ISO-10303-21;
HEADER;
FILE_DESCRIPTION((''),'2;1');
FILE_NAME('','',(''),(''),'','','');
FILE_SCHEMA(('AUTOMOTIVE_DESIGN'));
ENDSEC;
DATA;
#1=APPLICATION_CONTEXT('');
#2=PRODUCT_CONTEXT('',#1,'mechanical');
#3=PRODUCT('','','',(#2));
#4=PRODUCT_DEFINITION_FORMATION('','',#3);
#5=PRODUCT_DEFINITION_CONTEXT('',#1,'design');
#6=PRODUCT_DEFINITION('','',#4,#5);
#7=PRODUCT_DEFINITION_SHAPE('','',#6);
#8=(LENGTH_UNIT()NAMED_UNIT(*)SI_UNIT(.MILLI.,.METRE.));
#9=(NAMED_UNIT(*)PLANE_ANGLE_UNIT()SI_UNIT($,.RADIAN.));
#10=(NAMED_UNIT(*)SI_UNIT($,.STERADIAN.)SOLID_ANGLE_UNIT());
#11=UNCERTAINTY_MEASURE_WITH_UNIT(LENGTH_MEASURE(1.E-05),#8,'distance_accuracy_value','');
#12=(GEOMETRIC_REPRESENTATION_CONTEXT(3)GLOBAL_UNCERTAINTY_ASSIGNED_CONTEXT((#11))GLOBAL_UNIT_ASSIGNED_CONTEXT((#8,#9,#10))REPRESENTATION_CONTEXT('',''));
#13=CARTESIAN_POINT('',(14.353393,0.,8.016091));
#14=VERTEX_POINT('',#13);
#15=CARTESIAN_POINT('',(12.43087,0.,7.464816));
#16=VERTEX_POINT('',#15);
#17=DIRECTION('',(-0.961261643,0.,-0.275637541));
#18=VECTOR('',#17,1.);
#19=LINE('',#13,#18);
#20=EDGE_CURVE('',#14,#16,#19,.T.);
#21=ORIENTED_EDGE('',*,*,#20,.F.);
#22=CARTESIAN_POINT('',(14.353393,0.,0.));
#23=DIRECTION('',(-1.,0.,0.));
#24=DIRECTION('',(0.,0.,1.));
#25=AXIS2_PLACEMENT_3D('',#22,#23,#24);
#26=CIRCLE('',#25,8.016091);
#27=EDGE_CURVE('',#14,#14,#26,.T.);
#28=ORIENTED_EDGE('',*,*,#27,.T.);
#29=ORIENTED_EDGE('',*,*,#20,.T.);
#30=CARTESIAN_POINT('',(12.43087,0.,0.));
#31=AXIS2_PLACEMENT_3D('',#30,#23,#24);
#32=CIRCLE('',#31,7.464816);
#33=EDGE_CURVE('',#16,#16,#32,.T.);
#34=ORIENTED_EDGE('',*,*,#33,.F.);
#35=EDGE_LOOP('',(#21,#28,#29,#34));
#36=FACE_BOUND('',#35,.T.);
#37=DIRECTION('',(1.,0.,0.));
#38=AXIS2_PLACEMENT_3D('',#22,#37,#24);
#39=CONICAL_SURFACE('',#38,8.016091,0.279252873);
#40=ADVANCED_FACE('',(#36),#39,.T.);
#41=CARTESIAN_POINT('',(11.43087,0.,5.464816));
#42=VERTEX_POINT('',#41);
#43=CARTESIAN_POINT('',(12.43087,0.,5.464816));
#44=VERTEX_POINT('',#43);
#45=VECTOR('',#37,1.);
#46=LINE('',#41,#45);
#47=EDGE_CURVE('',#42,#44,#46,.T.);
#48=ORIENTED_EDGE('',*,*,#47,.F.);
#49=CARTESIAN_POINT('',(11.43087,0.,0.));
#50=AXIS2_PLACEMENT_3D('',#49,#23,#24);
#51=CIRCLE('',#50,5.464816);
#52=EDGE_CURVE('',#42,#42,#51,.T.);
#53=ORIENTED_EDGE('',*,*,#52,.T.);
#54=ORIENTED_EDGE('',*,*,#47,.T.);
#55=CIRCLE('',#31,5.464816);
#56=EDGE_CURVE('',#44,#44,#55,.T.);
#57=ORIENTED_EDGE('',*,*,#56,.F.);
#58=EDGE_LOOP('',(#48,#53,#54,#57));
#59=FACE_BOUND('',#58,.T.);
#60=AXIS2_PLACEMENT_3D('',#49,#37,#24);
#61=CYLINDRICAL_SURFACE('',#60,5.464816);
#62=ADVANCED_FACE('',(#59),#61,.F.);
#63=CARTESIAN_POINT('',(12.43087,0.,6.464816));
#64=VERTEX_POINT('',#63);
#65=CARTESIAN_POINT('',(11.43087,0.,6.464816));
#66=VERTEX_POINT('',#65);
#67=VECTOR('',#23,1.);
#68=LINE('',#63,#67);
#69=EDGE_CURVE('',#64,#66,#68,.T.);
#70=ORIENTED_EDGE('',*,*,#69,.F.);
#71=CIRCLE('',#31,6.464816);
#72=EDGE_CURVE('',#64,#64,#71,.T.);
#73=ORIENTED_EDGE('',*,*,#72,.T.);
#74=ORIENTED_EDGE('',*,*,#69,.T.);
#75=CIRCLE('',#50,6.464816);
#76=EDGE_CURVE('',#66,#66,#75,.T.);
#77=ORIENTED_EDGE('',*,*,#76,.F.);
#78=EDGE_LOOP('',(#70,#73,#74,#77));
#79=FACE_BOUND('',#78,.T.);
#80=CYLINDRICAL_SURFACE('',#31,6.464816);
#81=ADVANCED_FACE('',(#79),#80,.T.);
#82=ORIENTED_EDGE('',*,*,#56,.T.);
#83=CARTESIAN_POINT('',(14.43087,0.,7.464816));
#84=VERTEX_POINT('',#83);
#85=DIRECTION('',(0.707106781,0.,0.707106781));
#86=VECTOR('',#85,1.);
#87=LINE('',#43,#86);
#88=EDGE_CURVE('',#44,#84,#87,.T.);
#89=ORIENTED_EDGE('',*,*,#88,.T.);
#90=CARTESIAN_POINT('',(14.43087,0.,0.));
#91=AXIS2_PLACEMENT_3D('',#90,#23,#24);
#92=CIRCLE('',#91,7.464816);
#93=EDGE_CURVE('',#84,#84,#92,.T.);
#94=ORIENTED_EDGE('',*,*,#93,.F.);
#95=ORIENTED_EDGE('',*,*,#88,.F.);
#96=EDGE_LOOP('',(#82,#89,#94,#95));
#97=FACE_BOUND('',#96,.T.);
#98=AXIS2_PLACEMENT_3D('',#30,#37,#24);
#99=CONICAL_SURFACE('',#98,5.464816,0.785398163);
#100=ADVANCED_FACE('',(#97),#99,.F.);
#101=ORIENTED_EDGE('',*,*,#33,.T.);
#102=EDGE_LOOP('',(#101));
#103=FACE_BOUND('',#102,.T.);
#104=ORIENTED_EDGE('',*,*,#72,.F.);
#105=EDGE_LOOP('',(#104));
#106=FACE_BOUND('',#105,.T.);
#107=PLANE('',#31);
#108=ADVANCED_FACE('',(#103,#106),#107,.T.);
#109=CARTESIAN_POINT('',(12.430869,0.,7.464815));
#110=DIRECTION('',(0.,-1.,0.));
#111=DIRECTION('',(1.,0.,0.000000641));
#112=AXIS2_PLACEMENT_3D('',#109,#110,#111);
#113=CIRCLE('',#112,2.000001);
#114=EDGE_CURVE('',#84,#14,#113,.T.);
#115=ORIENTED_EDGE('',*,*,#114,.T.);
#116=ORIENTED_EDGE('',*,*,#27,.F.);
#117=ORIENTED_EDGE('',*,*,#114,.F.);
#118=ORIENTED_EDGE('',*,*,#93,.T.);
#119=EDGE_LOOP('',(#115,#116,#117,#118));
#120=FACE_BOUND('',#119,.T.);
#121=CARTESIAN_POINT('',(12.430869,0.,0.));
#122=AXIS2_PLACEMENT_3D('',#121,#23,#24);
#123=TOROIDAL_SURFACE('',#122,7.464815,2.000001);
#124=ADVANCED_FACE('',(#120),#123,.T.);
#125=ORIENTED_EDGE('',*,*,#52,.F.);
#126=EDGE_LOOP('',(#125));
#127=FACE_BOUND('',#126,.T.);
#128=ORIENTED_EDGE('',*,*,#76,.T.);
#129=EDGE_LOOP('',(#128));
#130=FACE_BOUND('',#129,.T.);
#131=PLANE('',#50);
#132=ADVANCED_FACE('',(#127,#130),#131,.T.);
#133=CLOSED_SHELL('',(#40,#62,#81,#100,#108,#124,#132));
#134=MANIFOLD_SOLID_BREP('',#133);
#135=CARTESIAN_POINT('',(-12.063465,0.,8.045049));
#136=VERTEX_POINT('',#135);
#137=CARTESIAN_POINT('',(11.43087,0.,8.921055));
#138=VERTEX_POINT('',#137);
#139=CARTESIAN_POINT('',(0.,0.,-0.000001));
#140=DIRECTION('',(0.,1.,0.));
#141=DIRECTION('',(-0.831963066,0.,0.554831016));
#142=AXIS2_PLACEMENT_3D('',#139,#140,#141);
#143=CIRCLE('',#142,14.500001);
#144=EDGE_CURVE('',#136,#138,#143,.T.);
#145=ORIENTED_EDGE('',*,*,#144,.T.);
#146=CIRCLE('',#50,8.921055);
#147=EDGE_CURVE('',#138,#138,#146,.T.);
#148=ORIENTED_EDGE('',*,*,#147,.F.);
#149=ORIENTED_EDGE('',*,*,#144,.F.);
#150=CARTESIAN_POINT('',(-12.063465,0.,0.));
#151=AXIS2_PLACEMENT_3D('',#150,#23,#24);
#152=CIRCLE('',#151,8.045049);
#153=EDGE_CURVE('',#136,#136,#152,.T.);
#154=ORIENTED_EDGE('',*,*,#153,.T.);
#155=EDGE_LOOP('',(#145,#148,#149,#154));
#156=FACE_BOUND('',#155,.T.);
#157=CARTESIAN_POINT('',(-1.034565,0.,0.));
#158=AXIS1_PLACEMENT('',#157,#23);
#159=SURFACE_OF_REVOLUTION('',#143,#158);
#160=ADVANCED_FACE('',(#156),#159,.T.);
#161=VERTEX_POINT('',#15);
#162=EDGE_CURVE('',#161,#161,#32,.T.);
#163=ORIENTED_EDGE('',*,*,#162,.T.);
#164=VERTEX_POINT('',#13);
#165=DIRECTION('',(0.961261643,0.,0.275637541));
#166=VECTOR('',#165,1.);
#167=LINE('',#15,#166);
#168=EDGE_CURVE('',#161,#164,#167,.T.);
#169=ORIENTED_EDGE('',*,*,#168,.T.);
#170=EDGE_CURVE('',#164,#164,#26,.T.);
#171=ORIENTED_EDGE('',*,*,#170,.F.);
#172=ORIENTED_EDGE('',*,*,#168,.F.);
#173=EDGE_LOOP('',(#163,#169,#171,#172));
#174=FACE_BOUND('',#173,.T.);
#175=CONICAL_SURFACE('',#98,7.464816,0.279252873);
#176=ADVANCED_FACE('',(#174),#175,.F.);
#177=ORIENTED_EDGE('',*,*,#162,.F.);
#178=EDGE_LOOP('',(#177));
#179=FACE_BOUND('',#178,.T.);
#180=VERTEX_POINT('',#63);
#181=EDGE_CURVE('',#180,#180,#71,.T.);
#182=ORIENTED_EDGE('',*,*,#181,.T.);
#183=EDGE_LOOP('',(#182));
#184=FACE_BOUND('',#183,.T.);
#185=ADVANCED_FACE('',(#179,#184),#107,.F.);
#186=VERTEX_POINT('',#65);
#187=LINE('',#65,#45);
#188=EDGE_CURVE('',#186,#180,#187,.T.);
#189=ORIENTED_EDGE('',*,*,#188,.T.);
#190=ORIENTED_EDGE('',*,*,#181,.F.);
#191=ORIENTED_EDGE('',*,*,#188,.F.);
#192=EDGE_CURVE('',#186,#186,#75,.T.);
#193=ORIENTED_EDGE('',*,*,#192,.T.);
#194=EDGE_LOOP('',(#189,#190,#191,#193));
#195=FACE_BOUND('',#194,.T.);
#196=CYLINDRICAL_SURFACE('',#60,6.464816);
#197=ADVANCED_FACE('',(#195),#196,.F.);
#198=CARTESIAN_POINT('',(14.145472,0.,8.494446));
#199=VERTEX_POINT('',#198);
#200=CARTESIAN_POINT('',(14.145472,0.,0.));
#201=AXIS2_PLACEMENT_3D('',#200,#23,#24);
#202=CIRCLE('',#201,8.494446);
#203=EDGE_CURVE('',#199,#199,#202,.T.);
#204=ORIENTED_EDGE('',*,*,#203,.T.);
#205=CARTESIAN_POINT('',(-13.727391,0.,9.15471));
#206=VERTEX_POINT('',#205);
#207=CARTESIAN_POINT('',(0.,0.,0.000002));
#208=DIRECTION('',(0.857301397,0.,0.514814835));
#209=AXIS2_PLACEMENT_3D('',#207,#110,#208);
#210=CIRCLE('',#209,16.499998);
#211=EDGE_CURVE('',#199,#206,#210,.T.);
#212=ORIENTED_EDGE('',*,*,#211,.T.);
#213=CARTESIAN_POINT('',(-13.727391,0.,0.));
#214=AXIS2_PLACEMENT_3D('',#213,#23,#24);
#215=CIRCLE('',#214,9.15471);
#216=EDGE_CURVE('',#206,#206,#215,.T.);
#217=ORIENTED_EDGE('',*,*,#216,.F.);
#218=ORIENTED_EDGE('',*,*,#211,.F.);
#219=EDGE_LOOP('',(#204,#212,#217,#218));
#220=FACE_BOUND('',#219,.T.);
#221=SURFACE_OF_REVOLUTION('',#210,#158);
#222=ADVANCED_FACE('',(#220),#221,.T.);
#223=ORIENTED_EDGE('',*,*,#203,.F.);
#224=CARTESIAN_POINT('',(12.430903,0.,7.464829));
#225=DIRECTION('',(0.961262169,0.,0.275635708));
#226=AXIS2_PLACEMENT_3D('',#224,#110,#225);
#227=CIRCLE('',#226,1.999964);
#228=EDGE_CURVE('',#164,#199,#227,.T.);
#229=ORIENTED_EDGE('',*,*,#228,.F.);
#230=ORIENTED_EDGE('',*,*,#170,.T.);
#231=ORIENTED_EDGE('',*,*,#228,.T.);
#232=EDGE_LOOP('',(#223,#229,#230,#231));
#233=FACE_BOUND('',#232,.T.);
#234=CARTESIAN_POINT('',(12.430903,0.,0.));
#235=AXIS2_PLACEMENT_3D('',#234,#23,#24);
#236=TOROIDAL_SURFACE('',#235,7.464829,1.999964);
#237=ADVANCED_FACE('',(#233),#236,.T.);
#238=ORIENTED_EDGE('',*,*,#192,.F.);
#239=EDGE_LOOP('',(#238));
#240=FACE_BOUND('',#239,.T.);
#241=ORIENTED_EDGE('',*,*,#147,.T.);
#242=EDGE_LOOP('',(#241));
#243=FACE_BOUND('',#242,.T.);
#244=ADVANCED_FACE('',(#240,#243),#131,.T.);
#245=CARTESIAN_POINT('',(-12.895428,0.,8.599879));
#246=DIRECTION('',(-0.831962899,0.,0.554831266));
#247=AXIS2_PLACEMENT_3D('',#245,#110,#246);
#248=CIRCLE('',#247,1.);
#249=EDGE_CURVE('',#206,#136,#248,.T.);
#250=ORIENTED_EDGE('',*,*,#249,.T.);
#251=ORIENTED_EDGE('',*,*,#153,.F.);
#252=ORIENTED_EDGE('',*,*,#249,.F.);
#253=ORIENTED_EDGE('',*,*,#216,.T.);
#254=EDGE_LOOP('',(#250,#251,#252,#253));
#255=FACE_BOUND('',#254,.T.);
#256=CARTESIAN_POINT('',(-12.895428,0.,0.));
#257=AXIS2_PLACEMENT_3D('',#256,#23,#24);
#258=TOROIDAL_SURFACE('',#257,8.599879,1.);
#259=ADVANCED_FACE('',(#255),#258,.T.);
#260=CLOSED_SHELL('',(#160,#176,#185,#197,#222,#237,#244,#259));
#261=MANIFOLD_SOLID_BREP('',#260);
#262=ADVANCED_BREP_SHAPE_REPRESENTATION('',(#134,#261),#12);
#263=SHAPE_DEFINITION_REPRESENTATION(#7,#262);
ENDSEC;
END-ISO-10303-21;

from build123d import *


with BuildPart() as f2:
    # F1 (on Front) → F2 (revolve)
    with BuildSketch(Plane.XZ):
        with BuildLine():
            ThreePointArc((14.353393, 8.016091), (14.265094, 8.262075), (14.145472, 8.494446))
            ThreePointArc((14.145472, 8.494446), (0.39075, 16.495373), (-13.727391, 9.15471))
            ThreePointArc((-13.727391, 9.15471), (-13.450259, 7.767916), (-12.063465, 8.045049))
            ThreePointArc((-12.063465, 8.045049), (-0.540269, 14.489931), (11.43087, 8.921055))
            Line((11.43087, 8.921055), (11.43087, 6.464816))
            Line((11.43087, 6.464816), (12.43087, 6.464816))
            Line((12.43087, 6.464816), (12.43087, 7.464816))
            Line((12.43087, 7.464816), (14.353393, 8.016091))
        make_face()
    revolve(axis=Axis((-1.034565, 0, 0), (-1, 0, 0)))


with BuildPart() as f4:
    # F3 (on Front) → F4 (revolve)
    with BuildSketch(Plane.XZ):
        with BuildLine():
            Line((12.43087, 5.464816), (14.43087, 7.464816))
            ThreePointArc((14.43087, 7.464816), (14.411406, 7.743162), (14.353393, 8.016091))
            Line((14.353393, 8.016091), (12.43087, 7.464816))
            Line((12.43087, 7.464816), (12.43087, 6.464816))
            Line((12.43087, 6.464816), (11.43087, 6.464816))
            Line((11.43087, 6.464816), (11.43087, 5.464816))
            Line((11.43087, 5.464816), (12.43087, 5.464816))
        make_face()
    revolve(axis=Axis((-1.034565, 0, 0), (-1, 0, 0)))


solid = Compound([f2.part, f4.part])
